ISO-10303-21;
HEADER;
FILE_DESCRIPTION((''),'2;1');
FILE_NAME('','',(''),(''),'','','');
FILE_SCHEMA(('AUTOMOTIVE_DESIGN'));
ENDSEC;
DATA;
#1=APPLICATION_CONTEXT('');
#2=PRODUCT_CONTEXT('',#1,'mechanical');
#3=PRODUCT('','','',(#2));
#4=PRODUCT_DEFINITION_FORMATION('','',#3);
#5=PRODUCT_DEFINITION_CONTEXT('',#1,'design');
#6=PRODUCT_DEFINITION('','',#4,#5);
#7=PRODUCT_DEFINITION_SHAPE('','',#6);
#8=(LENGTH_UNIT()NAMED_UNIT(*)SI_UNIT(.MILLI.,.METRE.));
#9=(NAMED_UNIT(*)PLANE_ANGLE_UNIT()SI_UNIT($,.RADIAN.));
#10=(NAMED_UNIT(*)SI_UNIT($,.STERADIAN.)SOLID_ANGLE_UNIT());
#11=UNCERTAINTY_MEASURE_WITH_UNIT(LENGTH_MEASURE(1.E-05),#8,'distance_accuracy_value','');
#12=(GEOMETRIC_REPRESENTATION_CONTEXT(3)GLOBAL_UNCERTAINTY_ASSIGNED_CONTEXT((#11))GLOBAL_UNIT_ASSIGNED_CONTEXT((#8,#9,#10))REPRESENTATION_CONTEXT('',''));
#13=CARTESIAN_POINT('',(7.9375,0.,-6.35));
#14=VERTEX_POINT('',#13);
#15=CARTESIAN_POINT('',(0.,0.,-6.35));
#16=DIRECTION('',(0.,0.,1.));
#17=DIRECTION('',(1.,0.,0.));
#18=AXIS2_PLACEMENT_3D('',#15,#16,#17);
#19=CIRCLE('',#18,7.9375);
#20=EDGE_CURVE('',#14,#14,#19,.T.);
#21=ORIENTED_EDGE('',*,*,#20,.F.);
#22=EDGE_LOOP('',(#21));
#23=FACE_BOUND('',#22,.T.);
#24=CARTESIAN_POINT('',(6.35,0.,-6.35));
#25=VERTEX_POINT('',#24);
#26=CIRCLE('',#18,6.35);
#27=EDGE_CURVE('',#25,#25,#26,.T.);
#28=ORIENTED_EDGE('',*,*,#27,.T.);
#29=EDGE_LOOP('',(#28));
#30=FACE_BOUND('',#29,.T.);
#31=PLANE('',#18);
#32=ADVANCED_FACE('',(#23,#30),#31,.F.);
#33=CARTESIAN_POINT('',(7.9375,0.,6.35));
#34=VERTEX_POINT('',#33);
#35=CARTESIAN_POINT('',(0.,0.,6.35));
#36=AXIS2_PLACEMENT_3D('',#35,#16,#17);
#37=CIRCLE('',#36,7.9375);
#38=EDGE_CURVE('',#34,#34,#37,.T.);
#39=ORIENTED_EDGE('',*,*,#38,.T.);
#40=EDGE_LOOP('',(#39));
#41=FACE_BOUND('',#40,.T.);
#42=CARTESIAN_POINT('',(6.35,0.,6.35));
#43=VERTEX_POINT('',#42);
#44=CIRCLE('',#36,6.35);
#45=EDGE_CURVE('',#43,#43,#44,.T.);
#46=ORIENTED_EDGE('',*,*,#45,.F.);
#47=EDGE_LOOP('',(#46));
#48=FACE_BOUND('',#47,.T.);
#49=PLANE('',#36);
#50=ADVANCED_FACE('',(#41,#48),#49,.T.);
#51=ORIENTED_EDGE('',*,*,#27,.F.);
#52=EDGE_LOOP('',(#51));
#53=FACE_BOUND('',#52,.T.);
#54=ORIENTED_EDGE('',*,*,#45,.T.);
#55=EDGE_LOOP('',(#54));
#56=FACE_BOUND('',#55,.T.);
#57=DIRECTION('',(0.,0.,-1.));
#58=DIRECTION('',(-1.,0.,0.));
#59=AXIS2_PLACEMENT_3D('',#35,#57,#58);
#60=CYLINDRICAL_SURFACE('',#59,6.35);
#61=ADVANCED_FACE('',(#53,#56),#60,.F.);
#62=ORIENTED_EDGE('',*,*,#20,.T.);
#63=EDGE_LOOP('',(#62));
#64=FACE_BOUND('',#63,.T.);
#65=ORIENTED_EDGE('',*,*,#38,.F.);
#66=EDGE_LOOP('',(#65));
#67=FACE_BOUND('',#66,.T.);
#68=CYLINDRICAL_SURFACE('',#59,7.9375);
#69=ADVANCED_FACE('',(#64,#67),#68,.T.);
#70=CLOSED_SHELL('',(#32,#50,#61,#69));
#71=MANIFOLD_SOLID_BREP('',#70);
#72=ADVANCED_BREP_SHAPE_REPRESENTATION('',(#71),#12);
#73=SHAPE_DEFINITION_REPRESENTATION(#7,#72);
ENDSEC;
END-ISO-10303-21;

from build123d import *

# Parameters (mm, degrees)
SKETCH1_R      = 7.9375
SKETCH1_R_2    = 6.35
EXTRUDE1_DEPTH = 6.35


with BuildPart() as part:
    # Sketch1 → Extrude1 (new body, symmetric)
    with BuildSketch(Plane.XY):
        Circle(SKETCH1_R)
        Circle(SKETCH1_R_2, mode=Mode.SUBTRACT)
    extrude(amount=EXTRUDE1_DEPTH, both=True)


solid = part.part
